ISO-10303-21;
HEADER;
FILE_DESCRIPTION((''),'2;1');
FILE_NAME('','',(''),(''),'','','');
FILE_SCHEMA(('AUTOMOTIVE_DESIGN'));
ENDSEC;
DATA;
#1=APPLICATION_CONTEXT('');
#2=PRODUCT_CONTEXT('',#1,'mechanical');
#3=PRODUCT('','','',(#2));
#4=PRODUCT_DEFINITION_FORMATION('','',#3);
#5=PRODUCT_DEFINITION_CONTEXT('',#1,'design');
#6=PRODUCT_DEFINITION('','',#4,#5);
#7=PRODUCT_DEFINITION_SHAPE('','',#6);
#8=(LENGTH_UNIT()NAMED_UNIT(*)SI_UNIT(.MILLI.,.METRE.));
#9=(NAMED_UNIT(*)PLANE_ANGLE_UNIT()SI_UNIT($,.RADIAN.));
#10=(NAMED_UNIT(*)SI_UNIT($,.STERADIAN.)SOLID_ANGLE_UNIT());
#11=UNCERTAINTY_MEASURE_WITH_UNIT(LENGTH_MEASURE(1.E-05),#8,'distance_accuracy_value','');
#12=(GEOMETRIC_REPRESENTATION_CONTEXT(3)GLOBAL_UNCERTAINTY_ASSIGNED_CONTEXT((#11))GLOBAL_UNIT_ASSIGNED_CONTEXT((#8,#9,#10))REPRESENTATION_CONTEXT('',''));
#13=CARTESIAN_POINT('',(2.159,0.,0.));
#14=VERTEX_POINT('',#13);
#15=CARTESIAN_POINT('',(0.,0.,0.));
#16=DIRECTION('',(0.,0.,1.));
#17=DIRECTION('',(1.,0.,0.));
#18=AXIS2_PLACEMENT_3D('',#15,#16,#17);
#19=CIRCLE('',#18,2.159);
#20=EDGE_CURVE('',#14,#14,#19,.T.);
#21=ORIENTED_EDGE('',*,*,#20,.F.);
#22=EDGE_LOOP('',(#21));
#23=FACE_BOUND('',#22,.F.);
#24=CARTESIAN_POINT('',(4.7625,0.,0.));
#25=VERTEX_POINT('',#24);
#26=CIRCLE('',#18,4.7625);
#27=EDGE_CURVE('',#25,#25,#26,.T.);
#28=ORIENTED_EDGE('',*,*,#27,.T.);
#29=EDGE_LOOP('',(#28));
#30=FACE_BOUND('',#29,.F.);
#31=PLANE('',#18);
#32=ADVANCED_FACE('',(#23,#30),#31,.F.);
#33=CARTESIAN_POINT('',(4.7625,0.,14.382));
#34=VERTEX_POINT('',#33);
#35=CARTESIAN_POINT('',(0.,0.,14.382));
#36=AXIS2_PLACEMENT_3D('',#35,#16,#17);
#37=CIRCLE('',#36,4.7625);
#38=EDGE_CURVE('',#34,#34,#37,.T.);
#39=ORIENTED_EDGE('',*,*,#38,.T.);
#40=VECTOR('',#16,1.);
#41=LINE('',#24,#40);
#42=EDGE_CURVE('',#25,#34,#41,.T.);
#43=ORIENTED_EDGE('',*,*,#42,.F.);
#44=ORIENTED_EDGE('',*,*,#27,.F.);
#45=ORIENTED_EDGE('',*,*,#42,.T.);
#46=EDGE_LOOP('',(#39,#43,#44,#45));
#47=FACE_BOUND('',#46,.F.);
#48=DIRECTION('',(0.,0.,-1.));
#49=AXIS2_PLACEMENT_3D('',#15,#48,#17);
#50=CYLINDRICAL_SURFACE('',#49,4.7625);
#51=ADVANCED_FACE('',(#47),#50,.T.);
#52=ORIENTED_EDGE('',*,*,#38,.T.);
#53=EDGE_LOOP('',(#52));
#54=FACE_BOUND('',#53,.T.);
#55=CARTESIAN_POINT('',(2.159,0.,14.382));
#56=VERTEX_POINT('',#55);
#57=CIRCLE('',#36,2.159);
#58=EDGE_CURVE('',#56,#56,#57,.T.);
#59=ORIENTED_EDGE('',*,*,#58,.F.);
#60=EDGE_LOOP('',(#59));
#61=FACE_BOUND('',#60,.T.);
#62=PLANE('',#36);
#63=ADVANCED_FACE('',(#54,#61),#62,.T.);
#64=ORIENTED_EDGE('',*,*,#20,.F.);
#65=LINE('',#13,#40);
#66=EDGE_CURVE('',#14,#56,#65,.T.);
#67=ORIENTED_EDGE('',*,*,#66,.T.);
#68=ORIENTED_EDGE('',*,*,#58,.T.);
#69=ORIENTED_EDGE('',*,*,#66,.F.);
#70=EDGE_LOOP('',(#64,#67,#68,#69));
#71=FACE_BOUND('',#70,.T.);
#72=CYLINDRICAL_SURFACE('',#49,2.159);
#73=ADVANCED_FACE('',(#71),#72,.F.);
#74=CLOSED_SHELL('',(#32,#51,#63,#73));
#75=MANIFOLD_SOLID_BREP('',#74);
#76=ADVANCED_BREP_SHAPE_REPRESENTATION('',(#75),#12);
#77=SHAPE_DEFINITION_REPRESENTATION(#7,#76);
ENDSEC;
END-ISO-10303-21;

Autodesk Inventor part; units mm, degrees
ref_plane "YZ Plane" through (0, 0, 0) normal (1, 0, 0) x (0, 1, 0)
ref_plane "XZ Plane" through (0, 0, 0) normal (0, 1, 0) x (-1, 0, 0)
sketch "Sketch1" plane through (0, 0, 0) normal (0, 0, 1) x (1, 0, 0)
  circle A0 centre (0, 0) radius 2.159
  circle A1 centre (0, 0) radius 4.7625
  dimension "d0" = 4.318
  dimension "d1" = 9.525
ref_plane "Work Plane1" through (-47.1072, -32.1301, 14.382) normal (0, 0, -1) x (0, 1, 0)
extrude "Extrusion1" add sketch "Sketch1" along normal up to surface (14.382 mm away)
properties part number "IntakeBearingSpacer" material "ABS Plastic"
